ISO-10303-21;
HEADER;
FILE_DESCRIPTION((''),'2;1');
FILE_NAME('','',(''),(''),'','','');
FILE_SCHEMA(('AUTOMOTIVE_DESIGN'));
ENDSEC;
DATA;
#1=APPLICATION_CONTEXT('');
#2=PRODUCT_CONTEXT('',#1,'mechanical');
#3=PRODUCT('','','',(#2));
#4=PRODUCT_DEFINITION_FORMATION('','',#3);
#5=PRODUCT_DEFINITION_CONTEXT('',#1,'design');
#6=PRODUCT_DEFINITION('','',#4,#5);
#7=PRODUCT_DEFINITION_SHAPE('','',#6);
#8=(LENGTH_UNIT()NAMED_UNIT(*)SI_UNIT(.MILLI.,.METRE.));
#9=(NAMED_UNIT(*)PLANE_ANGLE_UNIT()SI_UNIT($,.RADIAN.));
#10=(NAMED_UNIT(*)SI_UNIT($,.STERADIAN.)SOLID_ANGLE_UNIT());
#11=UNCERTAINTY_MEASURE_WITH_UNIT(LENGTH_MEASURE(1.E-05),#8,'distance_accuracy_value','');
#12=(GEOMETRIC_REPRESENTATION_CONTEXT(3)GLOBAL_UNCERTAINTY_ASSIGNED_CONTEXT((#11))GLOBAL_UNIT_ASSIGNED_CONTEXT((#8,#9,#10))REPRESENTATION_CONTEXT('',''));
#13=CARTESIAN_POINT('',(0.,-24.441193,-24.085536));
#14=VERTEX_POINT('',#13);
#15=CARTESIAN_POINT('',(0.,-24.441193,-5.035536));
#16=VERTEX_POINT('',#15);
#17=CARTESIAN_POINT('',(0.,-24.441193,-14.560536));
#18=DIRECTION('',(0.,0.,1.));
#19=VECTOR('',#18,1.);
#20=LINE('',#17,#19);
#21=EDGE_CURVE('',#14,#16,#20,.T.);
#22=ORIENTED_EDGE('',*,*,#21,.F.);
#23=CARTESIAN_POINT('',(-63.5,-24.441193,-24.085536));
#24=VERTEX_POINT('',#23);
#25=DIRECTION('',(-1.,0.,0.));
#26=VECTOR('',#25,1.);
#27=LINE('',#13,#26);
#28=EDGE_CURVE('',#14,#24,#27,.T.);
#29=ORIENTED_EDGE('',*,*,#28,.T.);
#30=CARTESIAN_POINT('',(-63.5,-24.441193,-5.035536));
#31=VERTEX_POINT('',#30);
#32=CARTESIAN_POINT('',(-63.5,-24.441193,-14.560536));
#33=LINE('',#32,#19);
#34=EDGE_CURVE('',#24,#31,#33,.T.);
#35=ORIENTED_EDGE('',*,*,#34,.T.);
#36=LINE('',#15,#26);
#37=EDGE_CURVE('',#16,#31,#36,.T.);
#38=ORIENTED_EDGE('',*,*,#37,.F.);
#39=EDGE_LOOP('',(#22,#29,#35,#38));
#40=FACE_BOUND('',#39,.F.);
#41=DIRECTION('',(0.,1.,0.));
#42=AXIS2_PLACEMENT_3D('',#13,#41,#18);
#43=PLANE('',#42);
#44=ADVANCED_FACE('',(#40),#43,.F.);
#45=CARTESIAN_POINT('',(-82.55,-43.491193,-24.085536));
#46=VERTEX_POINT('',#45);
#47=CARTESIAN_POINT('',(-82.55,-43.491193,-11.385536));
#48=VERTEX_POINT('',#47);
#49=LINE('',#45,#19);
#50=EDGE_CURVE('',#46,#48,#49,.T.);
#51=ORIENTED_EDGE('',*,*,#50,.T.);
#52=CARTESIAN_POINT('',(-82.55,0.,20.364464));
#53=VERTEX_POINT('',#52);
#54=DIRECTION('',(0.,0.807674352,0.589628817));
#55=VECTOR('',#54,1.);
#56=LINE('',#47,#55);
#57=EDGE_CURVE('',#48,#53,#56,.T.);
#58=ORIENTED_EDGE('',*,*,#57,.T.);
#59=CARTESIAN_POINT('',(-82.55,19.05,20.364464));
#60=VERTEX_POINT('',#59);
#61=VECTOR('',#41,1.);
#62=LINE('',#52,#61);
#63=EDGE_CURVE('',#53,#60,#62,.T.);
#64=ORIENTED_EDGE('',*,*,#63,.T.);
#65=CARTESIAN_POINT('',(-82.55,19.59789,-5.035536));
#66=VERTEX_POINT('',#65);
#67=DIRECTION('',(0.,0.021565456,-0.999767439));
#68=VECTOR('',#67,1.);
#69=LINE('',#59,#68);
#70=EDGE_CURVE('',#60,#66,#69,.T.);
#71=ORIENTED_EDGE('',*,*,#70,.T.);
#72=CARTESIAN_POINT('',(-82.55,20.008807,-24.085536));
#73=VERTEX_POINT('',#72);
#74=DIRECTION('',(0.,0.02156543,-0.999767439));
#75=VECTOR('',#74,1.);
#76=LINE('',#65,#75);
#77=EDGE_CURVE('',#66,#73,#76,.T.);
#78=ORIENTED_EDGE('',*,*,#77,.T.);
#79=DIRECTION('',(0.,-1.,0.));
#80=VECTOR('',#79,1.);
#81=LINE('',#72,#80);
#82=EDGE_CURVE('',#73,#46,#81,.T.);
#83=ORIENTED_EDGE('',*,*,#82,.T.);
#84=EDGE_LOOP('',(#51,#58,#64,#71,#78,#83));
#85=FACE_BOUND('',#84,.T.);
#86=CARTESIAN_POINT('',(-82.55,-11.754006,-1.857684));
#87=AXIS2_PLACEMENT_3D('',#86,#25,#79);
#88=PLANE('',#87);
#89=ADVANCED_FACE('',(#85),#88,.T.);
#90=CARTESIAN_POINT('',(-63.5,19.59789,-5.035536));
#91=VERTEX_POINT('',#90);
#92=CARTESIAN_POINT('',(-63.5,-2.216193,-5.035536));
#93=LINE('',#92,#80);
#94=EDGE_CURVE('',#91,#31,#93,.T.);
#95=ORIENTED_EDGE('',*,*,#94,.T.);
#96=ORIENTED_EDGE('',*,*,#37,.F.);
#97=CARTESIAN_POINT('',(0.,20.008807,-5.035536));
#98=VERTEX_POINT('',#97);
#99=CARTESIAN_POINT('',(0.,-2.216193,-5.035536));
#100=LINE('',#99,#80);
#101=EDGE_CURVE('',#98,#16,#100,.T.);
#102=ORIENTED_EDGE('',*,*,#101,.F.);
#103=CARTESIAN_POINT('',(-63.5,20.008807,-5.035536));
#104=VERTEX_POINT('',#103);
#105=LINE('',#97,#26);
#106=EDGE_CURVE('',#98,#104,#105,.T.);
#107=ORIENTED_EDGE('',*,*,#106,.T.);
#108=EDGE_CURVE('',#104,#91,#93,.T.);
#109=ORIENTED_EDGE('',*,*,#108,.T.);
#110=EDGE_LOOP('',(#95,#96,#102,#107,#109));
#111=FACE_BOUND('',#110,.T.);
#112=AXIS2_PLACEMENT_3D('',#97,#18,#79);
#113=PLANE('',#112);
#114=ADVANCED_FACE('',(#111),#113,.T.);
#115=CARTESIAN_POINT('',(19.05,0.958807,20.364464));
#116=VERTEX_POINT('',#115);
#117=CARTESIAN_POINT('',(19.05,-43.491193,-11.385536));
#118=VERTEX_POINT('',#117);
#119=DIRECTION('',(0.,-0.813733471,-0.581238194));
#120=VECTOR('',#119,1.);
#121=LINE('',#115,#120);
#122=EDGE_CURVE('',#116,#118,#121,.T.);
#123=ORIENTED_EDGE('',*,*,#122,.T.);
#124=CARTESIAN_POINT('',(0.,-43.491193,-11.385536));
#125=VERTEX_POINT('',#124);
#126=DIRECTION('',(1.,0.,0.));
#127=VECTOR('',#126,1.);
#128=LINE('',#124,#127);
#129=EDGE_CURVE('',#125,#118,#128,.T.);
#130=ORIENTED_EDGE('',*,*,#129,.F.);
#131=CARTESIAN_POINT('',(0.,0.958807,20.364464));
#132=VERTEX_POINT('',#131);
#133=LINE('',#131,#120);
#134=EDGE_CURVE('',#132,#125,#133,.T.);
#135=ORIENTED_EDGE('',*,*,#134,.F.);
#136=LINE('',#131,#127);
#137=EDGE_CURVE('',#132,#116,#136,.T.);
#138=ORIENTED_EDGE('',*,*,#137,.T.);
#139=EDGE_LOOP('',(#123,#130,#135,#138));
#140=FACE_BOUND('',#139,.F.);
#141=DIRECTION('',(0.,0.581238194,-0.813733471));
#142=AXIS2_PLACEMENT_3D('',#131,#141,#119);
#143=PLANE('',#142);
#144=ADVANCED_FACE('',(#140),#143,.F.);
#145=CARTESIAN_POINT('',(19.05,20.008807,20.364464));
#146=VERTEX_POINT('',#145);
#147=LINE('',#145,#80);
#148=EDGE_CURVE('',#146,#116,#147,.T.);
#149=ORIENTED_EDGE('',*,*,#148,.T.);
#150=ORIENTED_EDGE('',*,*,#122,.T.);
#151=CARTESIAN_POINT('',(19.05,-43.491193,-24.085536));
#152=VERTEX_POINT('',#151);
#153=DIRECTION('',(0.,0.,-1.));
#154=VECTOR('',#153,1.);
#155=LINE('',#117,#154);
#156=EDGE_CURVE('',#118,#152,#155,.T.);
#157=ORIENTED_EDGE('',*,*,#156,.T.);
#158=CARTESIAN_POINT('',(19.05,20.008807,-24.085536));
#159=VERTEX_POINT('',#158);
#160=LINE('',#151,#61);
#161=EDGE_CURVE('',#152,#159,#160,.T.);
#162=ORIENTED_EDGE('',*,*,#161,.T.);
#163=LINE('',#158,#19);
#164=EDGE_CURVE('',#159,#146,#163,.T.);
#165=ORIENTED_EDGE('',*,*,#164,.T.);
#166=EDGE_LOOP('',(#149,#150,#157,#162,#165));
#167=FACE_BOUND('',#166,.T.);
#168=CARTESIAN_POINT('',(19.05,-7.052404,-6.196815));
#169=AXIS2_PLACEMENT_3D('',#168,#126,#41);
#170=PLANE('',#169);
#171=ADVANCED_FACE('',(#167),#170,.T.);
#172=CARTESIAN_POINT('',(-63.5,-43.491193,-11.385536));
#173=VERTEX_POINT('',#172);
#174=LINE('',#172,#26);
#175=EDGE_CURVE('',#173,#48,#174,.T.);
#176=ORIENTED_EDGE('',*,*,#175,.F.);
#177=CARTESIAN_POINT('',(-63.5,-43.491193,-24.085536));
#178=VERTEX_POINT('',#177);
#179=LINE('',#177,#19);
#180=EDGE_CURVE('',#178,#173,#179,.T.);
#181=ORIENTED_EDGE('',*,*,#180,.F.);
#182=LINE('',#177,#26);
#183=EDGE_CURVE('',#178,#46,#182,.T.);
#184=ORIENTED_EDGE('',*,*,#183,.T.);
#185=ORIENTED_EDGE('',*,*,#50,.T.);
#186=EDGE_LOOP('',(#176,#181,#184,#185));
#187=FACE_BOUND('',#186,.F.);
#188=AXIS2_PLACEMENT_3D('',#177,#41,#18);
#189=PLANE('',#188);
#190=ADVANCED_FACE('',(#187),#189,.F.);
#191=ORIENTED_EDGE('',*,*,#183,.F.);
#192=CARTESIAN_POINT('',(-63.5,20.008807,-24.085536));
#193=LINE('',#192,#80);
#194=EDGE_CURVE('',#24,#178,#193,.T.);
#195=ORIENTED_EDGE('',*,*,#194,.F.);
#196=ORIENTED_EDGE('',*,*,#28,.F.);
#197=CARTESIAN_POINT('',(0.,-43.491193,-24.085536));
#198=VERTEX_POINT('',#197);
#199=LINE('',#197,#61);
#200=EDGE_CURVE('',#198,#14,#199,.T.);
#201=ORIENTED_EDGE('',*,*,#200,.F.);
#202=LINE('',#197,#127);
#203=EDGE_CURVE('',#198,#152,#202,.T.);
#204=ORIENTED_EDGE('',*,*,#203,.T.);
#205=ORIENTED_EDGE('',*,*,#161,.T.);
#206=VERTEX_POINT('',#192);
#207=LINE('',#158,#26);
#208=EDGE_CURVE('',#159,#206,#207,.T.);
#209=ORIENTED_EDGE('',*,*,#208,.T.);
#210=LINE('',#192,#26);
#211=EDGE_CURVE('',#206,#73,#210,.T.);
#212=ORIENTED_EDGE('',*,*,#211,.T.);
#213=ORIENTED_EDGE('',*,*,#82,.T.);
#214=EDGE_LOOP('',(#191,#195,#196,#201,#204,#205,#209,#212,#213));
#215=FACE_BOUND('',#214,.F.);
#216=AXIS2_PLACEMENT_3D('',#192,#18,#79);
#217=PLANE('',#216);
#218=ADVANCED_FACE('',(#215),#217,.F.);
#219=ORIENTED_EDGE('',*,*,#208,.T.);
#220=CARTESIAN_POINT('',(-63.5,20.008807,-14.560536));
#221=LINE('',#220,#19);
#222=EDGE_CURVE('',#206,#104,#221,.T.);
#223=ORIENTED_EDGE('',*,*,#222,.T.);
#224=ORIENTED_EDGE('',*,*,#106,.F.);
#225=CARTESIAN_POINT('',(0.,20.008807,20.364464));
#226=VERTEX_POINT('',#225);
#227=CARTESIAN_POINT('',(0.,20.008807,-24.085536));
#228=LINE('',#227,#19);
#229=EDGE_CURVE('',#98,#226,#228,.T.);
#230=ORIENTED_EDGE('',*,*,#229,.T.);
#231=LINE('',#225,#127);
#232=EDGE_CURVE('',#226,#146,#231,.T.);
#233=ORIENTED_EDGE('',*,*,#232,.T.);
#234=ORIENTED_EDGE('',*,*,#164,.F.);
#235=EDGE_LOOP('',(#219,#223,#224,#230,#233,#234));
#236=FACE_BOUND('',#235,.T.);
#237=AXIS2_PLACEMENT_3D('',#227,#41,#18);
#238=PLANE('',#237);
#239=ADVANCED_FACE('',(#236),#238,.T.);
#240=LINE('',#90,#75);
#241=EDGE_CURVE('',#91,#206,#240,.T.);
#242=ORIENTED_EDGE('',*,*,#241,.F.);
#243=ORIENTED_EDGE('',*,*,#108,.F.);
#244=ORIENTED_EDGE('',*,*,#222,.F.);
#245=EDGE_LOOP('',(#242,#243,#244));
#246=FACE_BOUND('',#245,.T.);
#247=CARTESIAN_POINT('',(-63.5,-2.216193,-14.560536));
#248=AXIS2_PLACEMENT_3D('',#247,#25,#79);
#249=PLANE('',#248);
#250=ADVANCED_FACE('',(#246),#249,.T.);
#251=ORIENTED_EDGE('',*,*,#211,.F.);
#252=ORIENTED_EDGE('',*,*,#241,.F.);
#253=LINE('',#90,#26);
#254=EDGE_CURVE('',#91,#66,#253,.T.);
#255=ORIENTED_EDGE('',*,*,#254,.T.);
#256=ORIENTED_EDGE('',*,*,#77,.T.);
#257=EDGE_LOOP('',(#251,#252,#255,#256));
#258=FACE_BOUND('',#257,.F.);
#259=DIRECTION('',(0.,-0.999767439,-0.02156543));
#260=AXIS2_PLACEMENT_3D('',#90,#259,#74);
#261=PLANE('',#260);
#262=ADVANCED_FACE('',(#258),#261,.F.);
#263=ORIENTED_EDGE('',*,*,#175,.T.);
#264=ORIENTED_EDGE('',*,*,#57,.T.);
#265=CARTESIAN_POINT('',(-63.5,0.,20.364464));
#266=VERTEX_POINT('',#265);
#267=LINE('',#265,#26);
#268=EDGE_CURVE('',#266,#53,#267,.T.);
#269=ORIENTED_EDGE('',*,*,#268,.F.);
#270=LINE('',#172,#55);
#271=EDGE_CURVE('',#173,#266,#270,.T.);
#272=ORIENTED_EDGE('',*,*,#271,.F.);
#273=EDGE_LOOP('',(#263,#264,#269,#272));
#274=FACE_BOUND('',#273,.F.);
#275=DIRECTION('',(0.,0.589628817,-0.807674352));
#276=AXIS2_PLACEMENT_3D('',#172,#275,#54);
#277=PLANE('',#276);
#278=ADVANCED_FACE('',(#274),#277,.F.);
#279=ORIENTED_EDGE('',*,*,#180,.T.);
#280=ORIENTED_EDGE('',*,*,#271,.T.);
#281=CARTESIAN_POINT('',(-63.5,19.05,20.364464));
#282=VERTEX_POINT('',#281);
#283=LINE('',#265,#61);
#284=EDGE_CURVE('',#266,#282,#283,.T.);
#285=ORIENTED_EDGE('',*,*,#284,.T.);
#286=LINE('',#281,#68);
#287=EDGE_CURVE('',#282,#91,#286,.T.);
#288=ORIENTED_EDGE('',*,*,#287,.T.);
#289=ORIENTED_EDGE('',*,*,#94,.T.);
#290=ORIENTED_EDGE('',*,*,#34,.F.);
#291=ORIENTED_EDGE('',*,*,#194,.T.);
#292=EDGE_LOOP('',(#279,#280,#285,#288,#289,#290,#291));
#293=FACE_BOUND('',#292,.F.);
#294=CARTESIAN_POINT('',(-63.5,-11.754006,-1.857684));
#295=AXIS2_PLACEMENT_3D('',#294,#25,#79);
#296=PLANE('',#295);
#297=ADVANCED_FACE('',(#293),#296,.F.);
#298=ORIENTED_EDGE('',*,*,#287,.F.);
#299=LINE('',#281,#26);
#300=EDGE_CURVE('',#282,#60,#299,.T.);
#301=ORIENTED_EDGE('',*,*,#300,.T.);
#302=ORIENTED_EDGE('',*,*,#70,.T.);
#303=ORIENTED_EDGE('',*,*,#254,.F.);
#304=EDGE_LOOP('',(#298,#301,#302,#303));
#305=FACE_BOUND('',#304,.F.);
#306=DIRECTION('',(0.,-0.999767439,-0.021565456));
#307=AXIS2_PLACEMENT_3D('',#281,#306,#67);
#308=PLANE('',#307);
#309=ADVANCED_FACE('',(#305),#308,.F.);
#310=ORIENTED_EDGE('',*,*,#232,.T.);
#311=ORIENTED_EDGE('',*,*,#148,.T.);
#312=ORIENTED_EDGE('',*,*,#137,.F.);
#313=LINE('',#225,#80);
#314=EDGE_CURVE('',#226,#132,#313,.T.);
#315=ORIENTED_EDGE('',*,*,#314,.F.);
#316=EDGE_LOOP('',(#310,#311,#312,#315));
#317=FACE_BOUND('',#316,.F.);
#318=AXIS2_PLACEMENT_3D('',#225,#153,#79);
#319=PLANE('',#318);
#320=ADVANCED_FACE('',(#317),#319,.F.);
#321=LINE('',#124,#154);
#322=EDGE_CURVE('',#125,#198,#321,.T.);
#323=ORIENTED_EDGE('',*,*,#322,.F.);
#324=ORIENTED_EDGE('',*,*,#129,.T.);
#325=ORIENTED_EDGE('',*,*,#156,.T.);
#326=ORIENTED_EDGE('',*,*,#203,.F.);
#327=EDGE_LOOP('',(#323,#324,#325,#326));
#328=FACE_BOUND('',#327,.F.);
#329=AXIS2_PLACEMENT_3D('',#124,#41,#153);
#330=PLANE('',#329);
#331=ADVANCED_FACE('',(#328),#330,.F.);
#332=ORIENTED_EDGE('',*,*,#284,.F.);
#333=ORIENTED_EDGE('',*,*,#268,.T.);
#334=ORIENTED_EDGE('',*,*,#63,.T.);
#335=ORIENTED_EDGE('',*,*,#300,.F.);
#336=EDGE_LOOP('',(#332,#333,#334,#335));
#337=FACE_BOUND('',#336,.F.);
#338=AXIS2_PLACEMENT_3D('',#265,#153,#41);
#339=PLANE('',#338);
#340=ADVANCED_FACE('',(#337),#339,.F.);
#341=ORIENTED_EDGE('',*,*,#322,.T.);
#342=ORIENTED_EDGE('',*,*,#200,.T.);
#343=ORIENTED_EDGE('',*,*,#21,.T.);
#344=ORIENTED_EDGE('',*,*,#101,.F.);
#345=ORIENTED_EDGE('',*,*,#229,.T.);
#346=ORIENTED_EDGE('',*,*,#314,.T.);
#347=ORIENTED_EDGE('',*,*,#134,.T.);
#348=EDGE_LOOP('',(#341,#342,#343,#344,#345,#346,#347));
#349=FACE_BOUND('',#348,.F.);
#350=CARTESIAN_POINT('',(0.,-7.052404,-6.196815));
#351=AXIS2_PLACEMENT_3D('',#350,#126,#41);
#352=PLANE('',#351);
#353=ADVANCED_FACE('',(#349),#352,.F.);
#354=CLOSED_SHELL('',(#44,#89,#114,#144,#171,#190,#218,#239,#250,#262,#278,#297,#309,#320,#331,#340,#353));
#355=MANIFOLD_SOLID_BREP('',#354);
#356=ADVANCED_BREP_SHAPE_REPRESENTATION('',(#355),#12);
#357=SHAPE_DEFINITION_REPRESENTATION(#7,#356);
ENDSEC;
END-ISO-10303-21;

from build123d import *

# Parameters (mm, degrees)
F1_DEPTH = 19.05
F2_W     = 44.45
F2_H     = 19.05
F3_DEPTH = 63.5
F5_DEPTH = 19.05


with BuildPart() as f1:
    # F0 (on Right) → F1 (new body)
    with BuildSketch(Plane.YZ):
        Polygon((0.958807, 20.364464), (-43.491193, -11.385536), (-43.491193, -24.085536), (20.008807, -24.085536), (20.008807, 20.364464), align=None)
    extrude(amount=F1_DEPTH)

    # F2 (on face) → F3 (join)
    with BuildSketch(Plane(origin=(0, 0, 0), x_dir=(0, -1, 0), z_dir=(-1, 0, 0))):
        with Locations((2.216193, -14.560536)):
            Rectangle(F2_W, F2_H)
    extrude(amount=F3_DEPTH)

    # F4 (on face) → F5 (join)
    with BuildSketch(Plane(origin=(-63.5, 0, 0), x_dir=(0, -1, 0), z_dir=(-1, 0, 0))):
        Polygon((24.441193, -5.035536), (24.441193, -24.085536), (43.491193, -24.085536), (43.491193, -11.385536), (0, 20.364464), (-19.05, 20.364464), (-19.59789, -5.035536), align=None)
        Polygon((-19.59789, -5.035536), (-20.008807, -24.085536), (24.441193, -24.085536), (24.441193, -5.035536), align=None)
    extrude(amount=F5_DEPTH)


solid = f1.part
